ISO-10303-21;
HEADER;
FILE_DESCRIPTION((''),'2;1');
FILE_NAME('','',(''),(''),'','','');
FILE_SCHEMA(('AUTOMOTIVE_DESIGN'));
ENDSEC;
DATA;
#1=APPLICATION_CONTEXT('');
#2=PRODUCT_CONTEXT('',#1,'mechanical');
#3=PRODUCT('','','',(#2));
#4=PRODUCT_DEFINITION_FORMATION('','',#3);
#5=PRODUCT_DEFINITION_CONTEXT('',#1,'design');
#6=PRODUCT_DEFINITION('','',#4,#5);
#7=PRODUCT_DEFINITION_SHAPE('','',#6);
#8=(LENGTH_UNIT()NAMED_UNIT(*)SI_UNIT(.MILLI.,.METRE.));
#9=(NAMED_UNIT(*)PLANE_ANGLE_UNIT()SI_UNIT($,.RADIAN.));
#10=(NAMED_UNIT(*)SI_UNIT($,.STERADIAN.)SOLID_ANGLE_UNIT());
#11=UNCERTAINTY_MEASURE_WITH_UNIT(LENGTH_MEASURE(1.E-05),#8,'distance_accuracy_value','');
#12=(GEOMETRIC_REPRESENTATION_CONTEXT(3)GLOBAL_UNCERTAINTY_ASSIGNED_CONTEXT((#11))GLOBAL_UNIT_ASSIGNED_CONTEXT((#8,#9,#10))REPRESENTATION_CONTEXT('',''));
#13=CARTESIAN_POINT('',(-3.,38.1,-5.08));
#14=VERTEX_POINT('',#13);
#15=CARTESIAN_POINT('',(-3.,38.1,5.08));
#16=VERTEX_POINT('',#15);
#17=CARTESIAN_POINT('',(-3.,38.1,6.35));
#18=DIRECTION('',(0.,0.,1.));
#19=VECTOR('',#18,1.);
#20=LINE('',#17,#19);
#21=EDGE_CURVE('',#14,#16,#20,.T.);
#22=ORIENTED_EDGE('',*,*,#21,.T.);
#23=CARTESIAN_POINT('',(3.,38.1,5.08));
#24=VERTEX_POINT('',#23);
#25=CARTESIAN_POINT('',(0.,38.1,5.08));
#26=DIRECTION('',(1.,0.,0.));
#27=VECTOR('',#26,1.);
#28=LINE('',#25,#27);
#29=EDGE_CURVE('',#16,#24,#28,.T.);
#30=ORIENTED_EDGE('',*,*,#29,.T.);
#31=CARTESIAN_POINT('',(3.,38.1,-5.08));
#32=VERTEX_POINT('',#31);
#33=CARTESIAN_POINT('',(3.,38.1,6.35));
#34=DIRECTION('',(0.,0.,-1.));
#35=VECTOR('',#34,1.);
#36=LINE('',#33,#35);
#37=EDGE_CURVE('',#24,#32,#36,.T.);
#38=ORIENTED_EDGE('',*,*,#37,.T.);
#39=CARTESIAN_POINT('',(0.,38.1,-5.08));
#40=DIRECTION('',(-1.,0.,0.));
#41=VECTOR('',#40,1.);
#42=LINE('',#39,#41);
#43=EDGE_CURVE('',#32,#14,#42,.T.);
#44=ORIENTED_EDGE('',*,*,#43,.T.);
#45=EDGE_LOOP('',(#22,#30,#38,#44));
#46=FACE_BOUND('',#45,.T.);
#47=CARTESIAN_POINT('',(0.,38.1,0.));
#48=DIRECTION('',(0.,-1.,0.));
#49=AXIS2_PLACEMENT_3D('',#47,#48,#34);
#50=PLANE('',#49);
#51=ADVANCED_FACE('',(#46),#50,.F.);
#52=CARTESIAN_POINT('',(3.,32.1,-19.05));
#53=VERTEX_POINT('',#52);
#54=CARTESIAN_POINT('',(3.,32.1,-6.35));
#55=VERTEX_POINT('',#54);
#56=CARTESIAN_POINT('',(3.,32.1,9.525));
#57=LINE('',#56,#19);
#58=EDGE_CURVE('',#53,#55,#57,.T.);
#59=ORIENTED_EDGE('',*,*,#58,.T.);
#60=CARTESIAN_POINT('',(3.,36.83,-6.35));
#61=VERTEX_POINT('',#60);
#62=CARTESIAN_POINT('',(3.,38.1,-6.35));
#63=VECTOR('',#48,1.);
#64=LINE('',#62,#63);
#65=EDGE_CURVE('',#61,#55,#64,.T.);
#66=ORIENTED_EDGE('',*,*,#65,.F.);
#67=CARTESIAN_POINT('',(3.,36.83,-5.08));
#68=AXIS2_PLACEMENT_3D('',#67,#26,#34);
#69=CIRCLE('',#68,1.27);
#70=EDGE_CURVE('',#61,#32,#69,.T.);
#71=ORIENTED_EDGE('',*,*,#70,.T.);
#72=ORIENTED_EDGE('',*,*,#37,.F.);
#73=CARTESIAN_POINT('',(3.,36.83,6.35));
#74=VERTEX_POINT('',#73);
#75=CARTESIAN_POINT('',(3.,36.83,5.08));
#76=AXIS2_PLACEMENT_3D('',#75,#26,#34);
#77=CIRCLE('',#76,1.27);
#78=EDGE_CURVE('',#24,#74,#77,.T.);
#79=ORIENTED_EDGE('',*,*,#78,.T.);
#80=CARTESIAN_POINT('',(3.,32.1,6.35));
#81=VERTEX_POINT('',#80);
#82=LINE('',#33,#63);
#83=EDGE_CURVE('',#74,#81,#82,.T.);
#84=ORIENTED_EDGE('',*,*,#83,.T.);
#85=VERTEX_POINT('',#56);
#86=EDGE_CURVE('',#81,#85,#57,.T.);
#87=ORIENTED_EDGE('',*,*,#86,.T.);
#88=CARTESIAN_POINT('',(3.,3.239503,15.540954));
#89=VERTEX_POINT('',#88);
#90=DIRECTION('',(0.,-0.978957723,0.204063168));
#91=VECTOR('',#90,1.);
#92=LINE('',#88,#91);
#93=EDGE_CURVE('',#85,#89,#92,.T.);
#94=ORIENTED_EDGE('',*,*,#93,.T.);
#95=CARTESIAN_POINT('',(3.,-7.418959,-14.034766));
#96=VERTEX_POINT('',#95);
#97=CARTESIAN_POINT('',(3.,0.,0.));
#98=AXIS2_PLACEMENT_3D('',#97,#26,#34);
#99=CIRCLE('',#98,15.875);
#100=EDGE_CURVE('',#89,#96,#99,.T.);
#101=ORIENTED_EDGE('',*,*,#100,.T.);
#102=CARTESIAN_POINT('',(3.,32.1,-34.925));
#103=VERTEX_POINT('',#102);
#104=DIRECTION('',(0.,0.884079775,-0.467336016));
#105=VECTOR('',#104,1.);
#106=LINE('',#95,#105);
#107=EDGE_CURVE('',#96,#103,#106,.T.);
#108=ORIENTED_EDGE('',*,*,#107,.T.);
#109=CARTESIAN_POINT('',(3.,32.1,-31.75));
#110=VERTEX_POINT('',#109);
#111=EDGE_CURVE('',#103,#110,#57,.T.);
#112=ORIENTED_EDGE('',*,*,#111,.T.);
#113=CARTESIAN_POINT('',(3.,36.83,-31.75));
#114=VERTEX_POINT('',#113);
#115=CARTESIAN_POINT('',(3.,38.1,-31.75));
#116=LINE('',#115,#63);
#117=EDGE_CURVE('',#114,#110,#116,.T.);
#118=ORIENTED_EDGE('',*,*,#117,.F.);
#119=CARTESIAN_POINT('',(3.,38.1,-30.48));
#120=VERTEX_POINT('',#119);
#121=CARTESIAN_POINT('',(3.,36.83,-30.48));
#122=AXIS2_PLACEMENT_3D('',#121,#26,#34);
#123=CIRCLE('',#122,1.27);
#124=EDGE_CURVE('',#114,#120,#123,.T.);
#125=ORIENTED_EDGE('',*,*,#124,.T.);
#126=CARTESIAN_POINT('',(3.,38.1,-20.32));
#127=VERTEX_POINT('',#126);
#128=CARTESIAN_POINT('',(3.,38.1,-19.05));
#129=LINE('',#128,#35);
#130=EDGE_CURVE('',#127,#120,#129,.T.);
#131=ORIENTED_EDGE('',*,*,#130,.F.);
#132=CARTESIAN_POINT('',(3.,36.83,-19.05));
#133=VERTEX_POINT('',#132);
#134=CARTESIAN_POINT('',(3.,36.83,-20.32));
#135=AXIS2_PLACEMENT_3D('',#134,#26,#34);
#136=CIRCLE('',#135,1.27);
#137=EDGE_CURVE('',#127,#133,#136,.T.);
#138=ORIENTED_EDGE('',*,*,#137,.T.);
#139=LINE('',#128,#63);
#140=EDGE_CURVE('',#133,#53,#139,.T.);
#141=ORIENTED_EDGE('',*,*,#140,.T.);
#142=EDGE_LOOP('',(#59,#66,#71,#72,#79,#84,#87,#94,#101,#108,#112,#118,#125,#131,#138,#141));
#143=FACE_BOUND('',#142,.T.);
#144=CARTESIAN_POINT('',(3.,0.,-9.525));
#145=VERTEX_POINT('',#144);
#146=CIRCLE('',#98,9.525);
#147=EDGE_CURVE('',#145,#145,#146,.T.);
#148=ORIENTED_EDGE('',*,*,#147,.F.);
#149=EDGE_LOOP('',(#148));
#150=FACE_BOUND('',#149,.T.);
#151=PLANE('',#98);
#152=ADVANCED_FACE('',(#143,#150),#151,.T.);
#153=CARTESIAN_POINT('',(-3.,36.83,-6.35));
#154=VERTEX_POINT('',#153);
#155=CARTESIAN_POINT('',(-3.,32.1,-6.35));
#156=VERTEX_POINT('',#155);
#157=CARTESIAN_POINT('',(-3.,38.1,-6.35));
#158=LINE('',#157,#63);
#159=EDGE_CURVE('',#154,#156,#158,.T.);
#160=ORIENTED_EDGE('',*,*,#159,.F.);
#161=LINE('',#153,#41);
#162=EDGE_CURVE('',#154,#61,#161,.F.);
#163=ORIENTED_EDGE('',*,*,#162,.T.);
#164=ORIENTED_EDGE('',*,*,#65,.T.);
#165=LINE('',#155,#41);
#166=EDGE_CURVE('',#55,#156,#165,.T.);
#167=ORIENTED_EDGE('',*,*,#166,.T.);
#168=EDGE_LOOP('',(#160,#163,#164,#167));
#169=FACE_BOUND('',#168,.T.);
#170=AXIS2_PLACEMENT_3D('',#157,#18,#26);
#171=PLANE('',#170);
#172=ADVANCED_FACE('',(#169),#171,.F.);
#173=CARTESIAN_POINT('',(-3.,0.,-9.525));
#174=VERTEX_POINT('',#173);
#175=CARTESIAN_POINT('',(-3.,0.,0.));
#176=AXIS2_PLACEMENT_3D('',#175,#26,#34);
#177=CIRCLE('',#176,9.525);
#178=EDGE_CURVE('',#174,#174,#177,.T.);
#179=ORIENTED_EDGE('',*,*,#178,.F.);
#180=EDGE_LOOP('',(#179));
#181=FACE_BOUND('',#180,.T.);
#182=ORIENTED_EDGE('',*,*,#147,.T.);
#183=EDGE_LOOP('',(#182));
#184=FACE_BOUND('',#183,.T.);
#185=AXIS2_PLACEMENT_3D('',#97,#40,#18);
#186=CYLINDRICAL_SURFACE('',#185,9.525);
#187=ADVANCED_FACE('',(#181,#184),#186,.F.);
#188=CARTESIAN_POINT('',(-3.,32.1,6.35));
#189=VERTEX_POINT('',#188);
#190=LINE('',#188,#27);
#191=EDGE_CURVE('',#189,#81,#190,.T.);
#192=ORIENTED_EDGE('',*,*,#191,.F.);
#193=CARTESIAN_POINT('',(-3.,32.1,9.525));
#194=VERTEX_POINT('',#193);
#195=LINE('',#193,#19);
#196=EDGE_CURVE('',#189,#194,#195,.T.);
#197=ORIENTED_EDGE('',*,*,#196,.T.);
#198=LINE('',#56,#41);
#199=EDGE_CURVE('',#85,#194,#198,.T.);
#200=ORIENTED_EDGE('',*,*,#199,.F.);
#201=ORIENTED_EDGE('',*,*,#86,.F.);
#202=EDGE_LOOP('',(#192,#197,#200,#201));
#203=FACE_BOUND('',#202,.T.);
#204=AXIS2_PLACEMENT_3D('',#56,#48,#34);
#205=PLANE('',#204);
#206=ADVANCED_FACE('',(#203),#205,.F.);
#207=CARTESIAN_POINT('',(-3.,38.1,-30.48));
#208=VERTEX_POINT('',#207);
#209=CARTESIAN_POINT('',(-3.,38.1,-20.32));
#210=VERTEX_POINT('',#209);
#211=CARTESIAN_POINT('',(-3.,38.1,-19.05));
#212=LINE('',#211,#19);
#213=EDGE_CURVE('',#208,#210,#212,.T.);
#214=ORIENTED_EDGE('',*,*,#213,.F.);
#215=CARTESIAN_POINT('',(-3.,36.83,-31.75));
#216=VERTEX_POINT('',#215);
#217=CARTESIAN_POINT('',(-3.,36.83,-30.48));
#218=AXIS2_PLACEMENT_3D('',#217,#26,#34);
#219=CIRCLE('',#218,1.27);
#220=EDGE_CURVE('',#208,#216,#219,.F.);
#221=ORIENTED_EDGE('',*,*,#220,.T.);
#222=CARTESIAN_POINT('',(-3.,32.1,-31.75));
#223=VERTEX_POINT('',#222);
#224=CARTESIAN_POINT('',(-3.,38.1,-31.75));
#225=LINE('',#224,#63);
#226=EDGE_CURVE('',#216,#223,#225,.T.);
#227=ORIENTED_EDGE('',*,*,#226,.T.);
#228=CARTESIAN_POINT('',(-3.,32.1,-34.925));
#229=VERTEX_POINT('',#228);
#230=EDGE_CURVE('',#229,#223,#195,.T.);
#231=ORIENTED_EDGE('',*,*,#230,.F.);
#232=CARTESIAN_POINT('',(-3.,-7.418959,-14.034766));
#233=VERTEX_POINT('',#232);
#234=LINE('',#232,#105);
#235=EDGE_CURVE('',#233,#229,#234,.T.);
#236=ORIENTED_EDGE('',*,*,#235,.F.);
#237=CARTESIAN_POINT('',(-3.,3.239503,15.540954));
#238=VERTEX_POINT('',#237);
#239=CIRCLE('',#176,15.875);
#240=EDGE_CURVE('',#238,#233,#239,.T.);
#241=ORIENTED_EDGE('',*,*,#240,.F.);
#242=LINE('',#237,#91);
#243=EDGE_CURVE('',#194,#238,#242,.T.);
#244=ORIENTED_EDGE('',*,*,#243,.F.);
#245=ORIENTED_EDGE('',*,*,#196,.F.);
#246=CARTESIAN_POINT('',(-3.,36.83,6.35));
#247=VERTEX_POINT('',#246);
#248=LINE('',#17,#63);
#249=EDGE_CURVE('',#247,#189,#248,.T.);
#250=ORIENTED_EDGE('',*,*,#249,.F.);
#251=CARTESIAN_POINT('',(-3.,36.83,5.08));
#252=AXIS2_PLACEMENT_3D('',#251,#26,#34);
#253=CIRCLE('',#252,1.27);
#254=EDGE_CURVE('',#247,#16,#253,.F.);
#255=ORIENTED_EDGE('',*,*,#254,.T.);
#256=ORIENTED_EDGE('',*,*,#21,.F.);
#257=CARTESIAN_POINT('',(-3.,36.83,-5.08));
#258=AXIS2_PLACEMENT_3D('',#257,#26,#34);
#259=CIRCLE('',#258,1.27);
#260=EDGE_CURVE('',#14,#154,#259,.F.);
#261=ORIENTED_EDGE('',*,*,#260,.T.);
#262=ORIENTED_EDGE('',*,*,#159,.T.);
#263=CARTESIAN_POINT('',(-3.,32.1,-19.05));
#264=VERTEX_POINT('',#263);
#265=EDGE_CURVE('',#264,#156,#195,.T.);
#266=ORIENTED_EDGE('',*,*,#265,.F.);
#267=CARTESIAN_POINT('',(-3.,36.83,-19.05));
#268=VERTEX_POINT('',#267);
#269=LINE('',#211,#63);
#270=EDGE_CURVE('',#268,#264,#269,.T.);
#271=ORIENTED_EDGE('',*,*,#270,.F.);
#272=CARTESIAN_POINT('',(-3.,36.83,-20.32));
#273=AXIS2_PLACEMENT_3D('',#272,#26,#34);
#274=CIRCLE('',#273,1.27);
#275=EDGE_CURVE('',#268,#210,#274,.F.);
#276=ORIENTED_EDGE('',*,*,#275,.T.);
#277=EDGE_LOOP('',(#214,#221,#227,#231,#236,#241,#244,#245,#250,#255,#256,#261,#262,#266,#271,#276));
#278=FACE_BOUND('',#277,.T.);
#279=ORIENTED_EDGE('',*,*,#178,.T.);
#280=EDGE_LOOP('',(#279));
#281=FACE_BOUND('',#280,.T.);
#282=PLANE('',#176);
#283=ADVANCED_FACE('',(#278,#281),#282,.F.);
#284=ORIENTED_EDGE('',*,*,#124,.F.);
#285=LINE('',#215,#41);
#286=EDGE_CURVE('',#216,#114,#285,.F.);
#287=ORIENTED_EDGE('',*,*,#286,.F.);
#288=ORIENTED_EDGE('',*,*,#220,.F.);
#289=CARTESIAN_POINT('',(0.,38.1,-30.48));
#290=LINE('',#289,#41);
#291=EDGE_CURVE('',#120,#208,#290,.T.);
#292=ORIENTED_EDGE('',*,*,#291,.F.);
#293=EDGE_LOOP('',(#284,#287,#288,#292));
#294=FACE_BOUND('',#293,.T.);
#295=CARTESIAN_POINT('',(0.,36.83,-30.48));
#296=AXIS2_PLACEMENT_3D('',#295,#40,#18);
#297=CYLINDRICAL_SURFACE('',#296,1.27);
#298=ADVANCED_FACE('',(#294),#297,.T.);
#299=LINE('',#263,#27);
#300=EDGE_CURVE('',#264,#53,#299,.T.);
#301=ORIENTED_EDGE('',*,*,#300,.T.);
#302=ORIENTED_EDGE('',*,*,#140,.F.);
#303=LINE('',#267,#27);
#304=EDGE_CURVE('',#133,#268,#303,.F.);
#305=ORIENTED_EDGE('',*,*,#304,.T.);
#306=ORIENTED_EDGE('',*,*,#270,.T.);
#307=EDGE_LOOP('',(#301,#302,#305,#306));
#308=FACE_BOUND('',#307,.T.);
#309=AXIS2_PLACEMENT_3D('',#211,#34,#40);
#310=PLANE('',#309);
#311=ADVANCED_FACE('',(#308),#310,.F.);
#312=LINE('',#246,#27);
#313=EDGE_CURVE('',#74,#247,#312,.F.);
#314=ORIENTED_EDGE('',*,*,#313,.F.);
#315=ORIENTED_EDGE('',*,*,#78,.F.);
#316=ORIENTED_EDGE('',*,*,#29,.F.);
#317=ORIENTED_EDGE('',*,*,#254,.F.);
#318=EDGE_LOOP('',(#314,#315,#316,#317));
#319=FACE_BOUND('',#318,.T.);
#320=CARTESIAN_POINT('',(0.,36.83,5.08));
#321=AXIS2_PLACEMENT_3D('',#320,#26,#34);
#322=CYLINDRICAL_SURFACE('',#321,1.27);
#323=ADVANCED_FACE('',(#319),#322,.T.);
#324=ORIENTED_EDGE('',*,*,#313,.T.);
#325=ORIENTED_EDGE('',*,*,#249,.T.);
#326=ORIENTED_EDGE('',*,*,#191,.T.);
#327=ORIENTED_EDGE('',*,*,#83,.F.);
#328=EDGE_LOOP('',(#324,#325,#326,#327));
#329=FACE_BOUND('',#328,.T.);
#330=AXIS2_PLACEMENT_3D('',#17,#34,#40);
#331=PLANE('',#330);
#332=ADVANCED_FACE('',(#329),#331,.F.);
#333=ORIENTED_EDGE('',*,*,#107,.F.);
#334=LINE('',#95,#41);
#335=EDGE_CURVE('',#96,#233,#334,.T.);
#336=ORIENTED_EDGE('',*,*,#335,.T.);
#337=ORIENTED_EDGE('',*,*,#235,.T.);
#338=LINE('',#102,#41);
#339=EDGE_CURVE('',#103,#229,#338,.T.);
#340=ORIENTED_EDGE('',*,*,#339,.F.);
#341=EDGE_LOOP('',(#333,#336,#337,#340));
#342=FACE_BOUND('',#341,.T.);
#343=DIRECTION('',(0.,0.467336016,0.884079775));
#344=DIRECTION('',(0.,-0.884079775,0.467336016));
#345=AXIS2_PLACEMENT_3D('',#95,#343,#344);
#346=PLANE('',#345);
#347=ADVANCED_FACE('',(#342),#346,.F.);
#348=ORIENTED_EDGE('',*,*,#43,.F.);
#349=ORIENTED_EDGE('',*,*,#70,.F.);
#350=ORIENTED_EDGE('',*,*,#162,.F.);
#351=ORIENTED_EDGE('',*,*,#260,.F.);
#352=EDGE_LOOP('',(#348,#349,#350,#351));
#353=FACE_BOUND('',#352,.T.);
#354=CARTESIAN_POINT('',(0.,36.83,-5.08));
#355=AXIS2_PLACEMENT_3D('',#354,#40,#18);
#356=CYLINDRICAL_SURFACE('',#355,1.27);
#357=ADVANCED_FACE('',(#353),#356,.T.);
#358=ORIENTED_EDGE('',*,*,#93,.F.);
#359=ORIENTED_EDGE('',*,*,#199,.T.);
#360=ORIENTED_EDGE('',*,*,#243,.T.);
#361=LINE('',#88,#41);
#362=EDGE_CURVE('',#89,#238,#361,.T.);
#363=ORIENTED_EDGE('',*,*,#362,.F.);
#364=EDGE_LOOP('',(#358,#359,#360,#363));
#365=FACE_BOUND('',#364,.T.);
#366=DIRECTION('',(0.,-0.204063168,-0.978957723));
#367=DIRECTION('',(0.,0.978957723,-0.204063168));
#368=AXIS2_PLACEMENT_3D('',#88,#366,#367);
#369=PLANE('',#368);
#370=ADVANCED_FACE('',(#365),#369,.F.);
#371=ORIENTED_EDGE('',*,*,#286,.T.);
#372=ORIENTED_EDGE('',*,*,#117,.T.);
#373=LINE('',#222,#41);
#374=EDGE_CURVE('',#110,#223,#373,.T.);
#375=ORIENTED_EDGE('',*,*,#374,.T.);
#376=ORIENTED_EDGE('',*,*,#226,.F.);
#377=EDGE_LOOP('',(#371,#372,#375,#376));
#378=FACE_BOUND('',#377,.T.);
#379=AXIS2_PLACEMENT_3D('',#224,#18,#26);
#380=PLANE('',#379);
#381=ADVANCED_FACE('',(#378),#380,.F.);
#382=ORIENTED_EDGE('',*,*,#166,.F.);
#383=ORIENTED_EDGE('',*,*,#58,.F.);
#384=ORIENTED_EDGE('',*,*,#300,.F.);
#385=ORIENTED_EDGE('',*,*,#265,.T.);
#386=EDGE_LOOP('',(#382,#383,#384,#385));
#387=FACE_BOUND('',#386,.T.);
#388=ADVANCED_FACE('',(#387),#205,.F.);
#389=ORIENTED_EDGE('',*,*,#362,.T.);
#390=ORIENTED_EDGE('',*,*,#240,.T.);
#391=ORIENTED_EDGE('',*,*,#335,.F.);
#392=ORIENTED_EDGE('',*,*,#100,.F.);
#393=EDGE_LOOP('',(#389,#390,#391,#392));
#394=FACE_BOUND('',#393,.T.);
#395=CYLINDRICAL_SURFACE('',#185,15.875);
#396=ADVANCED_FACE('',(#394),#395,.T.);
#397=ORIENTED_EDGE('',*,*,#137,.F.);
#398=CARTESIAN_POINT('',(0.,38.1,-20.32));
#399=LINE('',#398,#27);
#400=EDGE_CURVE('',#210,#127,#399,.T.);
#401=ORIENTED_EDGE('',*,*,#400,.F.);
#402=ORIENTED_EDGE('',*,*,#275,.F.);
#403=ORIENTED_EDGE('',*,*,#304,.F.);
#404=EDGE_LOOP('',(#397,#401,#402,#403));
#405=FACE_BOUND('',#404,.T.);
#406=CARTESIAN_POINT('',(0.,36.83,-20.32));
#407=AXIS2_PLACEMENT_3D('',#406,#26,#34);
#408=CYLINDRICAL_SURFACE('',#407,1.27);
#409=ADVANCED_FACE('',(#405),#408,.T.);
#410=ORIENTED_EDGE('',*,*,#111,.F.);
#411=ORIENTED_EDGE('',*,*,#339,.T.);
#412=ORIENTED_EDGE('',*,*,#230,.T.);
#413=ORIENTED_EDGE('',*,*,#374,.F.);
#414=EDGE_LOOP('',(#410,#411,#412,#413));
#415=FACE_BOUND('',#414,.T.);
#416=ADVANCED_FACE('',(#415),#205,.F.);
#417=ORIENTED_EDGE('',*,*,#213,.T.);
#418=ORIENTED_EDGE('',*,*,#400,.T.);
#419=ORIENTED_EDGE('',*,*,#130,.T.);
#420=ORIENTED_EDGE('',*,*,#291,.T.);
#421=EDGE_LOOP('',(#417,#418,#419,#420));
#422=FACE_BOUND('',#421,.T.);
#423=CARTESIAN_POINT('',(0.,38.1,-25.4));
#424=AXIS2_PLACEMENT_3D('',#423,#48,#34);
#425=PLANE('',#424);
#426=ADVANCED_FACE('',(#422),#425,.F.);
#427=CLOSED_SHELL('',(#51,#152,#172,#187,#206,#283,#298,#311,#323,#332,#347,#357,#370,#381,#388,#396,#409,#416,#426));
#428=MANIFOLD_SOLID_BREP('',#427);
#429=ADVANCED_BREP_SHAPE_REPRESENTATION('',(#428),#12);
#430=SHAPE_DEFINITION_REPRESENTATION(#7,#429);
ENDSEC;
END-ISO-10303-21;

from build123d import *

# Parameters (mm, degrees)
SKETCH1_R              = 9.525
BOSS_EXTRUDE1_DEPTH    = 3
SKETCH3_W              = 6
SKETCH3_H              = 12.7
BOSS_EXTRUDE2_DEPTH    = 6
FILLET1_R              = 1.27
LPATTERN1_COUNT        = 2
LPATTERN1_PITCH        = 25.4
FILLET1_OF_LPATTERN1_R = 1.27


with BuildPart() as part:
    # Sketch1 → Boss-Extrude1 (new, symmetric)
    with BuildSketch(Plane(origin=(0, 0, 0), x_dir=(0, 0, -1), z_dir=(1, 0, 0))):
        with BuildLine():
            Line((-15.540953853, 3.23950279), (-9.525, 32.1))
            Line((-9.525, 32.1), (34.925, 32.1))
            Line((34.925, 32.1), (14.034766421, -7.41895926))
            ThreePointArc((14.034766421, -7.41895926), (-5.382179248, -14.934783947), (-15.540953853, 3.23950279))
        make_face()
        Circle(SKETCH1_R, mode=Mode.SUBTRACT)
    extrude(amount=BOSS_EXTRUDE1_DEPTH, both=True)

    # Sketch3 → Boss-Extrude2 (add)
    with BuildSketch(Plane(origin=(0, 32.1, 0), x_dir=(1, 0, 0), z_dir=(0, 1, 0))):
        Rectangle(SKETCH3_W, SKETCH3_H)
    boss_extrude2 = extrude(amount=BOSS_EXTRUDE2_DEPTH)

    # Fillet1
    fillet1_edges = [part.edges().sort_by_distance(p)[0] for p in [
        (0, 38.1, -6.35),
        (0, 38.1, 6.35),
    ]]
    fillet(fillet1_edges, radius=FILLET1_R)

    # LPattern1: Boss-Extrude2 ×2
    with Locations(*[(0, 0, -i * LPATTERN1_PITCH) for i in range(1, LPATTERN1_COUNT)]):
        add(boss_extrude2)

    # Fillet1 of LPattern1
    fillet1_of_lpattern1_edges = [part.edges().sort_by_distance(p)[0] for p in [
        (0, 38.1, -31.75),
        (0, 38.1, -19.05),
    ]]
    fillet(fillet1_of_lpattern1_edges, radius=FILLET1_OF_LPATTERN1_R)


solid = part.part
